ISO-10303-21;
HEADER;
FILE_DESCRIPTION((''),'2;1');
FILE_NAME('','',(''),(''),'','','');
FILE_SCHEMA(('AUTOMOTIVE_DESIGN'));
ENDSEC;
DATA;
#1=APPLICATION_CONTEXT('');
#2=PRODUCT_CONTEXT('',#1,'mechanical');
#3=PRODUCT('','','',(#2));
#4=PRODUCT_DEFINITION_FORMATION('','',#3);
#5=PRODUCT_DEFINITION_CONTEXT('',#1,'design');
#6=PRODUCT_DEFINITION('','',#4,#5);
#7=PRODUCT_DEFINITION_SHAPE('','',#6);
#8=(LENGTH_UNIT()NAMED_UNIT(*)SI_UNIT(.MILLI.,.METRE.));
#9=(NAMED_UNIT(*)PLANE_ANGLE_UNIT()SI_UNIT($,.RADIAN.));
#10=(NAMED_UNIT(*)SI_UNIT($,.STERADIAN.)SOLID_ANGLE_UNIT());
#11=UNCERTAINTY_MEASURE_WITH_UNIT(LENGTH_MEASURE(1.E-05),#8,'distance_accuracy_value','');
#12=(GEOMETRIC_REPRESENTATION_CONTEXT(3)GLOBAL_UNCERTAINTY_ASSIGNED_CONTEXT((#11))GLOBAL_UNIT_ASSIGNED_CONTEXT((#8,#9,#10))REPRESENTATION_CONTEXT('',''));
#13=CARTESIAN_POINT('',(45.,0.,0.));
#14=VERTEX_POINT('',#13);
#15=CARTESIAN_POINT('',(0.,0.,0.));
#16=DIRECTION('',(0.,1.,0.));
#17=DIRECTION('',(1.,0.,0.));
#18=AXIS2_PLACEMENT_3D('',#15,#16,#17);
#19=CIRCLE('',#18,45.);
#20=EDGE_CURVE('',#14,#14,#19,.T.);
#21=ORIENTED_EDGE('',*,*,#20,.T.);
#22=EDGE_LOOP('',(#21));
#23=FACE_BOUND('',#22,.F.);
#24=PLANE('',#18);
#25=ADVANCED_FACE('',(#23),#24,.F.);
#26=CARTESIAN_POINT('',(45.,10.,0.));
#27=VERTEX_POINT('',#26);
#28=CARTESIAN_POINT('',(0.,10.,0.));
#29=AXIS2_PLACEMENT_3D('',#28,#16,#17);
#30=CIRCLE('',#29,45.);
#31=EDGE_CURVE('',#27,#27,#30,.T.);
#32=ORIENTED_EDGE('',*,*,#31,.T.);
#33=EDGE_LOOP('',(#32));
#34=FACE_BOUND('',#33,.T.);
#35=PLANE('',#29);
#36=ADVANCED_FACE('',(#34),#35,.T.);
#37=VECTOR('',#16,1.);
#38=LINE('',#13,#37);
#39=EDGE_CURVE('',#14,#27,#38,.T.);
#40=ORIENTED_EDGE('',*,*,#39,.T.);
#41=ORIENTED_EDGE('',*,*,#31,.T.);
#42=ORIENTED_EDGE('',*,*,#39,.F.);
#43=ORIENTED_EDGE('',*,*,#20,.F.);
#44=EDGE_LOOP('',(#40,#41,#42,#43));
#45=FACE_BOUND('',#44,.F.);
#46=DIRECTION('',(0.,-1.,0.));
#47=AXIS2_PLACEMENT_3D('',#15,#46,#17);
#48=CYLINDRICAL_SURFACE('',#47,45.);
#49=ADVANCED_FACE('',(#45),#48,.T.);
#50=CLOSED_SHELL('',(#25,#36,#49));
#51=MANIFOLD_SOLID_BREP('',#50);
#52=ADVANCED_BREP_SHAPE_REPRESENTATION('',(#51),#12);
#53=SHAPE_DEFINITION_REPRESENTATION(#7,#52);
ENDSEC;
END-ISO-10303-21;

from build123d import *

# Parameters (mm, degrees)
SKETCH2_R           = 45
BOSS_EXTRUDE1_DEPTH = 10


with BuildPart() as part:
    # Sketch2 → Boss-Extrude1 (new body)
    with BuildSketch(Plane(origin=(0, 0, 0), x_dir=(1, 0, 0), z_dir=(0, 1, 0))):
        Circle(SKETCH2_R)
    extrude(amount=BOSS_EXTRUDE1_DEPTH)


solid = part.part
